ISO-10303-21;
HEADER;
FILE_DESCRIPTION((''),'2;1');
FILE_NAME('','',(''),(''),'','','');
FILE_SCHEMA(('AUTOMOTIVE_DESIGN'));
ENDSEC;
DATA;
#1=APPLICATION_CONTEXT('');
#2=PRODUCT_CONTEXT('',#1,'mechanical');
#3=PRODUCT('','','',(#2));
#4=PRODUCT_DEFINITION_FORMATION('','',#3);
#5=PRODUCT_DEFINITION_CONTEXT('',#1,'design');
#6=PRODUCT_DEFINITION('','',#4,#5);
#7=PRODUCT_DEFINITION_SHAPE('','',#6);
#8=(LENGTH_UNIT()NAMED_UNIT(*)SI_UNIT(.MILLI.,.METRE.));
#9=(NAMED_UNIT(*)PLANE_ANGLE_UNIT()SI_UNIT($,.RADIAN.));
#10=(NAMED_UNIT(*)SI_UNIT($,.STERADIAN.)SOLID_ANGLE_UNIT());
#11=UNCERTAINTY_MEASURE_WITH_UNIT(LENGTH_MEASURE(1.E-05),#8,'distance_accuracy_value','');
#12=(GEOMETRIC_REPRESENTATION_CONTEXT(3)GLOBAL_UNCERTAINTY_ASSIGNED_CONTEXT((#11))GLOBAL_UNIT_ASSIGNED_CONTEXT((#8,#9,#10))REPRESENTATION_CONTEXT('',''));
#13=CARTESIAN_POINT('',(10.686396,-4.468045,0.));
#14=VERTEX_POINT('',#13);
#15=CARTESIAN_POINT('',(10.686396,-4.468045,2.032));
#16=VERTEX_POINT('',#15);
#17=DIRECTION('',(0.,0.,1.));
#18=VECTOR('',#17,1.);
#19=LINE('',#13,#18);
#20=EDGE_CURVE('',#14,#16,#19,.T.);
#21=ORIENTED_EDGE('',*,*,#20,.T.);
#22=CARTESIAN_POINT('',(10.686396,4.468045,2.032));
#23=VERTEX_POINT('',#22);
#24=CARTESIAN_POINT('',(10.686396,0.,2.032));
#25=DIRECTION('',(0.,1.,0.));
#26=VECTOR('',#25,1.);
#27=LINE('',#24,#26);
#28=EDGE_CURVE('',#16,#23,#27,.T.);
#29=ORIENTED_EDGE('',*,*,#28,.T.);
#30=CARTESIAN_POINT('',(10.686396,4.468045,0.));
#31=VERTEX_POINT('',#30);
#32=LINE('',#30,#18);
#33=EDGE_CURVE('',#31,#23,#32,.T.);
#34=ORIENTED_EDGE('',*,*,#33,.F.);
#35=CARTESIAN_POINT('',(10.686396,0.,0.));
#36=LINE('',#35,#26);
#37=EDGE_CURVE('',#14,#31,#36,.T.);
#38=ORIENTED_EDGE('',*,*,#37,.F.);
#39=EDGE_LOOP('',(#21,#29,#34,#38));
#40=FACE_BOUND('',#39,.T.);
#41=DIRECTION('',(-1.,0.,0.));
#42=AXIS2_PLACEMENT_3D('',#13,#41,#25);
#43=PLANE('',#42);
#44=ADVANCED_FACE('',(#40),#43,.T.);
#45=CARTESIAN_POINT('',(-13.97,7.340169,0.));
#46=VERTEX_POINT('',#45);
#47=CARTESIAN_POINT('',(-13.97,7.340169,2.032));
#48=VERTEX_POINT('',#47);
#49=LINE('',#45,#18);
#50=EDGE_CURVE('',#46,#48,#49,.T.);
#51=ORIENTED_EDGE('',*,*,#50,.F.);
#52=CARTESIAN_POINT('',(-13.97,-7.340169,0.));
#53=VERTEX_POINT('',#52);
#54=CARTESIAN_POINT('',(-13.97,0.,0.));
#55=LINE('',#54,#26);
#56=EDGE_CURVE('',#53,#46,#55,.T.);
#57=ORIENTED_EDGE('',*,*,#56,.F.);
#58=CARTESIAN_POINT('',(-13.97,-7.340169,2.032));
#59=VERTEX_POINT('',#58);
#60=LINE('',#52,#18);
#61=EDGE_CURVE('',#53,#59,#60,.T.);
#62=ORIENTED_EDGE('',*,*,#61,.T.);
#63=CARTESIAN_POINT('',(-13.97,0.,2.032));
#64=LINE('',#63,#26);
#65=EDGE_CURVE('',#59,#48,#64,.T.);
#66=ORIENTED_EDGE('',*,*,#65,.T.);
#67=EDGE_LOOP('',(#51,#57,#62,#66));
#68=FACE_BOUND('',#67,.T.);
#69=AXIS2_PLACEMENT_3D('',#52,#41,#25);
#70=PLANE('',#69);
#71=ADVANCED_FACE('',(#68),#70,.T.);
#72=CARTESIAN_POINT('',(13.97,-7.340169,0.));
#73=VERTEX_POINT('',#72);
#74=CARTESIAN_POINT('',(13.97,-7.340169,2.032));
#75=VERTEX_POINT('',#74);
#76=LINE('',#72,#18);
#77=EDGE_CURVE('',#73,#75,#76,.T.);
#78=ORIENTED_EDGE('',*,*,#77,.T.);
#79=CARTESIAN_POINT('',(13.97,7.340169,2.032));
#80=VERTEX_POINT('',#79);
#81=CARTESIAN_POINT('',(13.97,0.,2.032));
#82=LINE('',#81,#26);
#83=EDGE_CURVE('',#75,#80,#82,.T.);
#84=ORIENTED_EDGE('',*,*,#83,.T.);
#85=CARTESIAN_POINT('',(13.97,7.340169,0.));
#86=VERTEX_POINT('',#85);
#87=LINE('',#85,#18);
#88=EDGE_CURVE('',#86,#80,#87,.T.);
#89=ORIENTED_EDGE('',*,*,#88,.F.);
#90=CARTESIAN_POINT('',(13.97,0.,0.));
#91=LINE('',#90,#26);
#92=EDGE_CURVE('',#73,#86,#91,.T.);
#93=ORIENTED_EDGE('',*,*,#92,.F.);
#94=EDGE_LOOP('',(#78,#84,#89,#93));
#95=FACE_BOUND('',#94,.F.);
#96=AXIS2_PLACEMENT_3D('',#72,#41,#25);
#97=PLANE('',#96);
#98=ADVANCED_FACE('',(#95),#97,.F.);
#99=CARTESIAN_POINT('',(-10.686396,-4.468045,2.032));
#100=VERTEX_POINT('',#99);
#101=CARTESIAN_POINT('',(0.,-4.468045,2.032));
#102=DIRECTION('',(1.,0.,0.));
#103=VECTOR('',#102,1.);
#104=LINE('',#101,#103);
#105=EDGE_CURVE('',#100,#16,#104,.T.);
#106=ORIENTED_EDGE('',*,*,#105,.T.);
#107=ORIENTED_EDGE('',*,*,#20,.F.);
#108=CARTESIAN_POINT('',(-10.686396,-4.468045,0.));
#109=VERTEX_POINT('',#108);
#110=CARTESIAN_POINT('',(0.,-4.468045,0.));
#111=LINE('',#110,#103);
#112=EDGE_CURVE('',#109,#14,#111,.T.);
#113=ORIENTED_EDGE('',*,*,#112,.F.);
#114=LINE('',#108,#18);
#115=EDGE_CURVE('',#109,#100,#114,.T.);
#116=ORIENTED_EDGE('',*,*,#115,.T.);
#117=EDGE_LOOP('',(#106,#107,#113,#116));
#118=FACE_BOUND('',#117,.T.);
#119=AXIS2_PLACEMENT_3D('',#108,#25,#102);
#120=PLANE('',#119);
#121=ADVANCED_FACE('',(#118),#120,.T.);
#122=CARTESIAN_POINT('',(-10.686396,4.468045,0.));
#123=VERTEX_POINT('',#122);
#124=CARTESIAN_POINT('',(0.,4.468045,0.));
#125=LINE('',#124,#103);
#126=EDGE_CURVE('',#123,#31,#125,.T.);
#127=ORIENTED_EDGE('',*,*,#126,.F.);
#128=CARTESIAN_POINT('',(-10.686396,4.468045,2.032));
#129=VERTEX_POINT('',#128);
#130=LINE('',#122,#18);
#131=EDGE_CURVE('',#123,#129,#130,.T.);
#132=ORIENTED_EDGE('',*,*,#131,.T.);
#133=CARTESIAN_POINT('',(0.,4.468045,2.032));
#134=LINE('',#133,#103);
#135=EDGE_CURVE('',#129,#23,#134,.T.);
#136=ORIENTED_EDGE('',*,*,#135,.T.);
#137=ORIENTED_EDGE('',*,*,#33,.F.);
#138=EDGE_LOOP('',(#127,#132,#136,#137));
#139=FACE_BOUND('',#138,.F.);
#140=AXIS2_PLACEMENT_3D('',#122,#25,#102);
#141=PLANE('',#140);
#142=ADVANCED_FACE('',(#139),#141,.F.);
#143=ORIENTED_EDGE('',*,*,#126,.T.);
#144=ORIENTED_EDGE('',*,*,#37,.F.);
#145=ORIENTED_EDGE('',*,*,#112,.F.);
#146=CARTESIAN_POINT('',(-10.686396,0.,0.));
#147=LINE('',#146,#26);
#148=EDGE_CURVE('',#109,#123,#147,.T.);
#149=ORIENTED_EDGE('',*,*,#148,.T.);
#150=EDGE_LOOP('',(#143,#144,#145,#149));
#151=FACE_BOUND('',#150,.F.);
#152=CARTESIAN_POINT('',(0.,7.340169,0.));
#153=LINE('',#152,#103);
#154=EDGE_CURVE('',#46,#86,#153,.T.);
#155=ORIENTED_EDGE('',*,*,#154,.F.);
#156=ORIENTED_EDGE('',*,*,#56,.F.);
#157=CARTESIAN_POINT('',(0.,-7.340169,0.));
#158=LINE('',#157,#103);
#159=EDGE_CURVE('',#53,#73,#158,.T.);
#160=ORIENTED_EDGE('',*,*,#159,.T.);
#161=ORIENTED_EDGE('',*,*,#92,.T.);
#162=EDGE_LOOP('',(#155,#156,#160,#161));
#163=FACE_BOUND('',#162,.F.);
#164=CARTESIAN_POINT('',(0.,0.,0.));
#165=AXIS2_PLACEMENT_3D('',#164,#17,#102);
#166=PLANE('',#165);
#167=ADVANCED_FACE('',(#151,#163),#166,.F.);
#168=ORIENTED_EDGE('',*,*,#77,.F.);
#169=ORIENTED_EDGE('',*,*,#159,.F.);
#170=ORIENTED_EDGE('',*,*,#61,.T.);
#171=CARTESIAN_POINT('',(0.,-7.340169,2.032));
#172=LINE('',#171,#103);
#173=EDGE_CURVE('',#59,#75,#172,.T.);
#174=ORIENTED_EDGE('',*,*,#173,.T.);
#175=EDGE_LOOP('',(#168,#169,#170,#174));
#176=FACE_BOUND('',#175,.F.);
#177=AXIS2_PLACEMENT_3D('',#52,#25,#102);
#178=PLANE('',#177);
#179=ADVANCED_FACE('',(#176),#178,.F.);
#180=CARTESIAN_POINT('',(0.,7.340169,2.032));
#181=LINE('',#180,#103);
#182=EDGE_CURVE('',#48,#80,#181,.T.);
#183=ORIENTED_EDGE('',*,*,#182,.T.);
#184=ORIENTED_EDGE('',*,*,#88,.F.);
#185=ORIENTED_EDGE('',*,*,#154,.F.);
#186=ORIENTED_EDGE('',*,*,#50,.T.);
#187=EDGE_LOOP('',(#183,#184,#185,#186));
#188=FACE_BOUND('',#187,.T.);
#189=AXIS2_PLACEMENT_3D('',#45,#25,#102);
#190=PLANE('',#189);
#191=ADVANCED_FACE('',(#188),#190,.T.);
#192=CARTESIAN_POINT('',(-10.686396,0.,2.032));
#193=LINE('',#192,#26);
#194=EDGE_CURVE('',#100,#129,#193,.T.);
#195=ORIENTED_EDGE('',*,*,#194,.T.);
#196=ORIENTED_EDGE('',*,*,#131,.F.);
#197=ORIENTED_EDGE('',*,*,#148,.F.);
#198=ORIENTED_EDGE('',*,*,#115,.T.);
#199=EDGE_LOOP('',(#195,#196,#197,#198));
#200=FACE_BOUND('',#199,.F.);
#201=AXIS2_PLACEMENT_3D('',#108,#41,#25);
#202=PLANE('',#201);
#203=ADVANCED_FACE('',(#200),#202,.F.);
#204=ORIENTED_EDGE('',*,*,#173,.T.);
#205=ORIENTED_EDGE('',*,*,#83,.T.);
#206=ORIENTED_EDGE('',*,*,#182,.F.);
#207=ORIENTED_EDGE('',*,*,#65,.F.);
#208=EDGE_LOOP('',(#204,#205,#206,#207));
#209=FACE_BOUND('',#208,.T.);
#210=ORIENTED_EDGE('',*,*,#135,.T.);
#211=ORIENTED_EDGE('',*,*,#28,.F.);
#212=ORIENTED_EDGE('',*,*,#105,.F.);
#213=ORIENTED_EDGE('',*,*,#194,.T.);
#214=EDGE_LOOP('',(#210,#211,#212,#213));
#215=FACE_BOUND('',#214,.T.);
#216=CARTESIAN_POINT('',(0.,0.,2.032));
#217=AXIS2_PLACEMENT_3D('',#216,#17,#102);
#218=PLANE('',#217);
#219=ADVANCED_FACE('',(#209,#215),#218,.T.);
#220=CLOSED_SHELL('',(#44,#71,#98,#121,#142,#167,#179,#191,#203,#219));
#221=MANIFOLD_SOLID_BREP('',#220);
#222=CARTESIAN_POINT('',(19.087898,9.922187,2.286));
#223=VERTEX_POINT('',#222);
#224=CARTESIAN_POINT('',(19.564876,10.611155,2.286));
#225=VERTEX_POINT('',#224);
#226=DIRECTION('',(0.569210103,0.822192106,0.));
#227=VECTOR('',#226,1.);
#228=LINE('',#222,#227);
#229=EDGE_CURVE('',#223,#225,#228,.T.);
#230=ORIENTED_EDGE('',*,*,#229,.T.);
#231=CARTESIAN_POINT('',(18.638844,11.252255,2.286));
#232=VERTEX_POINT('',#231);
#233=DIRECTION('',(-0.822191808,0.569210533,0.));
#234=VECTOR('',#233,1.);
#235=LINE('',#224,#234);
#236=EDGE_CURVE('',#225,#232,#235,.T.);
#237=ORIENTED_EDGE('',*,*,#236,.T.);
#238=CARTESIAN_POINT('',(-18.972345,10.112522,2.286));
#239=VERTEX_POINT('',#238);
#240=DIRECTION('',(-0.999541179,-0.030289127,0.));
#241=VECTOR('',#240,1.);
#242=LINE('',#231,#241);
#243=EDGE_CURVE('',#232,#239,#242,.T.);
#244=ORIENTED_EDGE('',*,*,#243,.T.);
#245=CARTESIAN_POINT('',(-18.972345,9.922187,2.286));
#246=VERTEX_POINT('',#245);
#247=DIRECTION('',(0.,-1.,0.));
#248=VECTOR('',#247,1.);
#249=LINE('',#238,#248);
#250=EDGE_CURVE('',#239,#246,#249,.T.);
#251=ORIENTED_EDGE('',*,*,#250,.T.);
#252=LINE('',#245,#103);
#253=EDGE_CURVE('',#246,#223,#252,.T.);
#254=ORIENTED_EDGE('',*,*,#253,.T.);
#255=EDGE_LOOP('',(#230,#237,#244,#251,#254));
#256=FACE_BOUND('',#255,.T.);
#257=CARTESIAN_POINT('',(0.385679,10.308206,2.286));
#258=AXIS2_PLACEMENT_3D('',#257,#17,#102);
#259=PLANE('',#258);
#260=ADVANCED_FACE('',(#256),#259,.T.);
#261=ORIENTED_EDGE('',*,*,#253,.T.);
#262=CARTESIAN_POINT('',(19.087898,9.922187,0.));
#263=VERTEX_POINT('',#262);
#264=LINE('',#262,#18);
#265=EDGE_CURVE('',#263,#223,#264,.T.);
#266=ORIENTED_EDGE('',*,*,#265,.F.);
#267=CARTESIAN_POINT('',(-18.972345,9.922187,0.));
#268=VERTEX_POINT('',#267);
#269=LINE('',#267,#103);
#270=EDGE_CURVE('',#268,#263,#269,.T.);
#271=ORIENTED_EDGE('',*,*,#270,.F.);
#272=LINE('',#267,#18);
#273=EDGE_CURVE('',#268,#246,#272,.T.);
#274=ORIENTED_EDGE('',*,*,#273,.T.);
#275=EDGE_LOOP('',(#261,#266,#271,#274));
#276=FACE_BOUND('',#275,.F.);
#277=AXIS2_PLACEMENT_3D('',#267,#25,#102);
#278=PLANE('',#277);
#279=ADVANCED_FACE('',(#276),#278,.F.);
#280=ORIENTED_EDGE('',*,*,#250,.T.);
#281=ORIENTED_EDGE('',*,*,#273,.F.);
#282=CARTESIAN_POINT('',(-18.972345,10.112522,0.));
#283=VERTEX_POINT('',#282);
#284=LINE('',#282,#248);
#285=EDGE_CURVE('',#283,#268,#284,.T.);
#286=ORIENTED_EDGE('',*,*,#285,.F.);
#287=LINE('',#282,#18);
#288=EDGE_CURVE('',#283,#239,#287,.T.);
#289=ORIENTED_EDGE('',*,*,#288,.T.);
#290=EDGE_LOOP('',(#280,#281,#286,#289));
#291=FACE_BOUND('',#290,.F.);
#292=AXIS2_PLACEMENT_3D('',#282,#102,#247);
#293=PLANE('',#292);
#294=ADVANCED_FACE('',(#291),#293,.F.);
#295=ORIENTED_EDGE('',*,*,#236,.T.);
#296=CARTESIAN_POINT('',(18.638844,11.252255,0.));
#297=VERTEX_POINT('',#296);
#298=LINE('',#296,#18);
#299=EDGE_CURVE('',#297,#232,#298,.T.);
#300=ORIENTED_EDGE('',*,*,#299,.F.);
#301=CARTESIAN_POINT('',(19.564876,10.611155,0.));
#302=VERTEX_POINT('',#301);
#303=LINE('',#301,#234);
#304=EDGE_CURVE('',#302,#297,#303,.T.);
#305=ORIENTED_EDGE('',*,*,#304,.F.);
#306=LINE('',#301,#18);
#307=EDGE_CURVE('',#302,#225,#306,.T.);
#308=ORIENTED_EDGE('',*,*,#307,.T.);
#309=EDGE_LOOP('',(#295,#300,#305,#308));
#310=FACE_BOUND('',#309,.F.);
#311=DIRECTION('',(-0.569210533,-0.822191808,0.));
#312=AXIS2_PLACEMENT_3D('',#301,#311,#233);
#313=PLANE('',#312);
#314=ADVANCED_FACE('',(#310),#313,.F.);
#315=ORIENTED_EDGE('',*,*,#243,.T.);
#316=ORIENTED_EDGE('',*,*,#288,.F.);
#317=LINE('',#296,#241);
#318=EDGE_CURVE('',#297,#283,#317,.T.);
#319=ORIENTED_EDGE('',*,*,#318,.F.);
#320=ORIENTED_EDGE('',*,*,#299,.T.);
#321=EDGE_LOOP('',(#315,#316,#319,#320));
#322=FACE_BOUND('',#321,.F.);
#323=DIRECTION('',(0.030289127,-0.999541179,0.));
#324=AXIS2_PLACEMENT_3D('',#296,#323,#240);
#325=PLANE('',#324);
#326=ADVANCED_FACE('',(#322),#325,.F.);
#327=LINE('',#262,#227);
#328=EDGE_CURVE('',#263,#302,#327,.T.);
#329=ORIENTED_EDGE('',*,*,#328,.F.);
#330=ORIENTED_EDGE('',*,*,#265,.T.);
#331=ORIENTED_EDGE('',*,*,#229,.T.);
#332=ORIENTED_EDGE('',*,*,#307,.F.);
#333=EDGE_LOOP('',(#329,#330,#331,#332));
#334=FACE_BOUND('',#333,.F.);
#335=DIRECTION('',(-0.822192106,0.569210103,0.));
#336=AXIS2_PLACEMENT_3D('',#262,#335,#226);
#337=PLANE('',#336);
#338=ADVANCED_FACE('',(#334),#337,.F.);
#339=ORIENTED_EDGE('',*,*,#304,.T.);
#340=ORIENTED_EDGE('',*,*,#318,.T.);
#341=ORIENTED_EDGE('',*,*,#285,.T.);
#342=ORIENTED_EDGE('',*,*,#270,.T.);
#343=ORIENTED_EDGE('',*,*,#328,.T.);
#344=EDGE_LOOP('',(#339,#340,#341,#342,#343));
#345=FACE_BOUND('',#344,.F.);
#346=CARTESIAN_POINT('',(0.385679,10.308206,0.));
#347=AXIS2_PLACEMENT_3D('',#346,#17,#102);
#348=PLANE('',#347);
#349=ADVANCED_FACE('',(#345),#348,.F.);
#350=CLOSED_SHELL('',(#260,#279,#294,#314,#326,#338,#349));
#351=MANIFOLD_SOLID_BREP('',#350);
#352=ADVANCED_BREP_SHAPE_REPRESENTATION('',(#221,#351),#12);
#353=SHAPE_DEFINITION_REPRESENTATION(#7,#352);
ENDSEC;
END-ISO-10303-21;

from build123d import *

# Parameters (mm, degrees)
F0_W     = 27.94
F0_H     = 14.680338
F0_W_2   = 21.372792
F0_H_2   = 8.93609
F1_DEPTH = 2.032
F3_DEPTH = 2.286


with BuildPart() as f1:
    # F0 (on Top) → F1 (new body)
    with BuildSketch(Plane.XY):
        Rectangle(F0_W, F0_H)
        Rectangle(F0_W_2, F0_H_2, mode=Mode.SUBTRACT)
    extrude(amount=F1_DEPTH)


with BuildPart() as f3:
    # F2 (on Top) → F3 (new body)
    with BuildSketch(Plane.XY):
        Polygon((18.638844, 11.252255), (-18.972345, 10.112522), (-18.972345, 9.922187), (19.087898, 9.922187), (19.564876, 10.611155), align=None)
    extrude(amount=F3_DEPTH)


solid = Compound([f1.part, f3.part])
